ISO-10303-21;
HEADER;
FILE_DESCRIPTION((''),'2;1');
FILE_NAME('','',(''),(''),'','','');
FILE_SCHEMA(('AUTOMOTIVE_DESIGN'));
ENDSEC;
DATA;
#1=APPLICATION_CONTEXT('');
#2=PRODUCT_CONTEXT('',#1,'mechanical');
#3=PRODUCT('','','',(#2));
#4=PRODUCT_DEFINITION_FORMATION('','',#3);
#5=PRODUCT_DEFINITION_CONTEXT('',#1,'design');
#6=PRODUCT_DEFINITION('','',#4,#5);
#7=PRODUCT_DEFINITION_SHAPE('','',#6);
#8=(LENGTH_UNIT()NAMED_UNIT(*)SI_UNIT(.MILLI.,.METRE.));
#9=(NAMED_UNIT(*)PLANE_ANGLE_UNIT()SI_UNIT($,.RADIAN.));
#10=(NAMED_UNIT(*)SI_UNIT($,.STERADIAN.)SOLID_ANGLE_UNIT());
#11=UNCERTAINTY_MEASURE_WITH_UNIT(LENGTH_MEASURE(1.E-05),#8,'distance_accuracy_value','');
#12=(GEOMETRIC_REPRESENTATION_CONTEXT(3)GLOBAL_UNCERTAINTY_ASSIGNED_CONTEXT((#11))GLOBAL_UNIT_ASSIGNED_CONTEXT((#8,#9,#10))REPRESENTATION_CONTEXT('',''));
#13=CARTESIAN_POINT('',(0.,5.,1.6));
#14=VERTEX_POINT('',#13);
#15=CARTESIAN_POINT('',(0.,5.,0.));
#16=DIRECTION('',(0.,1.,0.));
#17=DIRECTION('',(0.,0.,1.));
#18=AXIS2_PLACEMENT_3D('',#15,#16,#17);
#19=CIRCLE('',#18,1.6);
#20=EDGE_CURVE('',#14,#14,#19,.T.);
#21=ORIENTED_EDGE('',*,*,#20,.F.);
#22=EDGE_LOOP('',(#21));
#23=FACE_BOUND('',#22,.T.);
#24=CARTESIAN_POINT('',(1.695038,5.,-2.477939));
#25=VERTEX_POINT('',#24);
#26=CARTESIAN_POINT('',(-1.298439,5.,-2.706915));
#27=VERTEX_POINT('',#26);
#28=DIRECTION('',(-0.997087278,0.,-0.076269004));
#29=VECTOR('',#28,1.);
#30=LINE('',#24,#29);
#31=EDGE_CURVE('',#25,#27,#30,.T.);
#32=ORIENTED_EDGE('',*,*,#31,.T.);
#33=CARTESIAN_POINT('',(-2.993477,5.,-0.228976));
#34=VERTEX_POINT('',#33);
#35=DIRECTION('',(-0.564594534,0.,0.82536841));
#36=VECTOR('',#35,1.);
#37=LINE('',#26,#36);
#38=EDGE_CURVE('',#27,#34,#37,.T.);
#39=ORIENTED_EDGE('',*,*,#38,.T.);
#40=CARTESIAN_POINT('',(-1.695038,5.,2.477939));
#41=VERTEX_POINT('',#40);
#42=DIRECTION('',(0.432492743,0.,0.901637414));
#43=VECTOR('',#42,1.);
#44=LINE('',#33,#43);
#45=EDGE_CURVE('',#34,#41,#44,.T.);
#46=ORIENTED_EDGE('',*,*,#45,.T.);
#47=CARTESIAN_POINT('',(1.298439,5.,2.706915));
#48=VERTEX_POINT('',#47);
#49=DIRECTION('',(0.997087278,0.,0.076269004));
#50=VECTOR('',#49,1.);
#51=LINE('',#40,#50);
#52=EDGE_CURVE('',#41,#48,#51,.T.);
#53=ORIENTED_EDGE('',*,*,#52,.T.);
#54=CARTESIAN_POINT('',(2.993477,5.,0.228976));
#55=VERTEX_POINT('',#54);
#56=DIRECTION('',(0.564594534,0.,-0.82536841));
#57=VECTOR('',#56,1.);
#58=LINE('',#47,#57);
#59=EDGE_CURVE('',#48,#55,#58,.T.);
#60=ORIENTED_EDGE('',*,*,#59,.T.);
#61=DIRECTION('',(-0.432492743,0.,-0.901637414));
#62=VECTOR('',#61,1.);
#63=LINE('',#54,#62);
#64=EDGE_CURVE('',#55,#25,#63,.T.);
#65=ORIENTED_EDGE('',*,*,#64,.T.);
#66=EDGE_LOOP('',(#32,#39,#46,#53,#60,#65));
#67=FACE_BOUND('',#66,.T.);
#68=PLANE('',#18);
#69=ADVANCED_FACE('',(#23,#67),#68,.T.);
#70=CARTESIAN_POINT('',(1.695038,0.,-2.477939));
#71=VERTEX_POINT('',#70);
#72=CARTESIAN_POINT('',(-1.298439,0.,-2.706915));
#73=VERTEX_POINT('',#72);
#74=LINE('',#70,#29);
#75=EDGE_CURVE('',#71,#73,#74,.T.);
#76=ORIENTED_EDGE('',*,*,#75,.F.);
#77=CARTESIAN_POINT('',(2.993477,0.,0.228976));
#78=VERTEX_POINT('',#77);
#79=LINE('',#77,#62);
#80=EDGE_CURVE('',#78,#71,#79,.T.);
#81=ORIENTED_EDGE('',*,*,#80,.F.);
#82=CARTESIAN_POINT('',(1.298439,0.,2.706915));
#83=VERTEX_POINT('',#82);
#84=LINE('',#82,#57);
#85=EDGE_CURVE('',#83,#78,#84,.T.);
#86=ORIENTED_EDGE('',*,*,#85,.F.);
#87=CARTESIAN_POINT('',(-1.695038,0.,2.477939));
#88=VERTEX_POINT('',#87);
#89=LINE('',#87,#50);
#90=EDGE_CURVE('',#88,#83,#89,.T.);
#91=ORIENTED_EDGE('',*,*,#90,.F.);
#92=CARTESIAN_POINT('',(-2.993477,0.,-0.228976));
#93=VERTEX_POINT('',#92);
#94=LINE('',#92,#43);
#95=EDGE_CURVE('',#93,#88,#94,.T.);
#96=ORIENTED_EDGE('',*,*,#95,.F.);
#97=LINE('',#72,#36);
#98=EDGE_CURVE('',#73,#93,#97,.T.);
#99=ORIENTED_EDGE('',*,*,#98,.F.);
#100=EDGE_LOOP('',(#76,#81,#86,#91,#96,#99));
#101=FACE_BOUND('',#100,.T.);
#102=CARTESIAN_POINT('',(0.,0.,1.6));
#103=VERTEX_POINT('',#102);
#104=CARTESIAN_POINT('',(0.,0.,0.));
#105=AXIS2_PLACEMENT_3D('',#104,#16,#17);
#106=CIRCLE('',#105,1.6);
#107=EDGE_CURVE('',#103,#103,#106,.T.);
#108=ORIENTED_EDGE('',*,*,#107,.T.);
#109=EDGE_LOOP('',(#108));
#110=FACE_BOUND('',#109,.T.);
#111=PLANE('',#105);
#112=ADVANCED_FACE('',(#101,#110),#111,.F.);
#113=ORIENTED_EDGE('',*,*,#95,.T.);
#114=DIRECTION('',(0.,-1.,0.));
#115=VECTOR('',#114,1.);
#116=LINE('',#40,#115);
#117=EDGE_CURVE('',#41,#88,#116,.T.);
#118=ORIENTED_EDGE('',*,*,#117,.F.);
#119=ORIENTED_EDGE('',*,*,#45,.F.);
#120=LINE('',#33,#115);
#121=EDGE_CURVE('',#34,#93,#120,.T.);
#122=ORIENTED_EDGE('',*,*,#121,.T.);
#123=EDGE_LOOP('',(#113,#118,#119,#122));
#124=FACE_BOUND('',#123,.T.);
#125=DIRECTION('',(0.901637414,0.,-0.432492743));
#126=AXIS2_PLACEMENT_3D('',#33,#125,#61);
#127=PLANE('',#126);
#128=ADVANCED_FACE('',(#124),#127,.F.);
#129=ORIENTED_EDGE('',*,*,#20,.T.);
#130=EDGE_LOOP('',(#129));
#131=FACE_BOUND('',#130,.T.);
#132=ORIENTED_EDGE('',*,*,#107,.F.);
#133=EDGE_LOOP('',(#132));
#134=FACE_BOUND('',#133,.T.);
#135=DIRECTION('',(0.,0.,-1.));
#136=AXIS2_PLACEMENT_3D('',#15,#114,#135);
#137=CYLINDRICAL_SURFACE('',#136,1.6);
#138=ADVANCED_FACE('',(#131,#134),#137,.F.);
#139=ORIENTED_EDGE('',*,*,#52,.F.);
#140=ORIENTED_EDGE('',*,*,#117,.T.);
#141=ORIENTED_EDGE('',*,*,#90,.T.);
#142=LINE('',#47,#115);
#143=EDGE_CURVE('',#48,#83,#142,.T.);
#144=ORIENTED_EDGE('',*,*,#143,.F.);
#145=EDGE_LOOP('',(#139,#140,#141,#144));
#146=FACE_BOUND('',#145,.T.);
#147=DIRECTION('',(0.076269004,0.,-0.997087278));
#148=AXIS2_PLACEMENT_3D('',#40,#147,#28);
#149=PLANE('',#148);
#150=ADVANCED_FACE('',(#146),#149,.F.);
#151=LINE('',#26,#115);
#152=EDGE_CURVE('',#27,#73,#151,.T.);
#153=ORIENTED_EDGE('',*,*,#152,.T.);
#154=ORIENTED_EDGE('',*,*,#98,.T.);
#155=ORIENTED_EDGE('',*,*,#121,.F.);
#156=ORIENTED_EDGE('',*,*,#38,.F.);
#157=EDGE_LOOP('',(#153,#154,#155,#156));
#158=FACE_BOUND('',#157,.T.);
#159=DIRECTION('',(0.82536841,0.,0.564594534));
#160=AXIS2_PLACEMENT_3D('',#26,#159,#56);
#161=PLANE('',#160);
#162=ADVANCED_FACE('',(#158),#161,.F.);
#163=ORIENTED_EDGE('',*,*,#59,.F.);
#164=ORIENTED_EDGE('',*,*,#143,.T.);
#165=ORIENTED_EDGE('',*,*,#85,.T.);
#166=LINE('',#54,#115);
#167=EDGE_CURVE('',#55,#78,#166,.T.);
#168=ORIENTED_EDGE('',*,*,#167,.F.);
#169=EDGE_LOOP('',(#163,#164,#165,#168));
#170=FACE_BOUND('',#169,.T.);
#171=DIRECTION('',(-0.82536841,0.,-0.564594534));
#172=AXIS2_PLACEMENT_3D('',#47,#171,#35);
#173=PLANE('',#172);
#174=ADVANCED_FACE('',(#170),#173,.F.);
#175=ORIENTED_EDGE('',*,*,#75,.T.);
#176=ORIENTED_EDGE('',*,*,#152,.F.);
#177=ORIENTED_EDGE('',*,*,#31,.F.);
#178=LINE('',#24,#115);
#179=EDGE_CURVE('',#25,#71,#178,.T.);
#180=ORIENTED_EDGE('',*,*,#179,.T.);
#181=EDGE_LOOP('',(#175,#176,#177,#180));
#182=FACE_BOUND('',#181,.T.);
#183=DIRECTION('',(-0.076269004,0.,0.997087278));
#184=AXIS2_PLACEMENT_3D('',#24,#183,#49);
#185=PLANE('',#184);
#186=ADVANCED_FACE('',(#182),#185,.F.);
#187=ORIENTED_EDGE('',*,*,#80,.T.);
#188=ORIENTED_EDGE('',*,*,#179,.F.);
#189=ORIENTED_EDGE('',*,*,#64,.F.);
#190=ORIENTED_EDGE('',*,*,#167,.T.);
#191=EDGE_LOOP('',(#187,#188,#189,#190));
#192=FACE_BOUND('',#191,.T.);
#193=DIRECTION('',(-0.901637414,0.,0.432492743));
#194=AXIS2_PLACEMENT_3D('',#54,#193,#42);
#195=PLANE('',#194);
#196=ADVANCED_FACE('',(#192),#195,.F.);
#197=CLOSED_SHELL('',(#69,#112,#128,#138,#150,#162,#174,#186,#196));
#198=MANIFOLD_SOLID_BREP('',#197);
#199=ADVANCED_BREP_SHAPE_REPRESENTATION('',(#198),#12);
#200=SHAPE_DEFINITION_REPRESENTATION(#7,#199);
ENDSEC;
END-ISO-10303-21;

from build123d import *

# Parameters (mm, degrees)
SKETCH_1_R      = 1.6
EXTRUDE_1_DEPTH = 5


with BuildPart() as part:
    # 草图1 → 凸台-拉伸1 (new body)
    with BuildSketch(Plane(origin=(0, 0, 0), x_dir=(1, 0, 0), z_dir=(0, 1, 0))):
        Polygon((1.29843897, -2.70691514), (2.993476762, -0.228976437), (1.695037792, 2.477938703), (-1.29843897, 2.70691514), (-2.993476762, 0.228976437), (-1.695037792, -2.477938703), align=None)
        with Locations(Location((0, 0, 0), (0, 0, 270))):
            Circle(SKETCH_1_R, mode=Mode.SUBTRACT)
    extrude(amount=EXTRUDE_1_DEPTH)


solid = part.part
